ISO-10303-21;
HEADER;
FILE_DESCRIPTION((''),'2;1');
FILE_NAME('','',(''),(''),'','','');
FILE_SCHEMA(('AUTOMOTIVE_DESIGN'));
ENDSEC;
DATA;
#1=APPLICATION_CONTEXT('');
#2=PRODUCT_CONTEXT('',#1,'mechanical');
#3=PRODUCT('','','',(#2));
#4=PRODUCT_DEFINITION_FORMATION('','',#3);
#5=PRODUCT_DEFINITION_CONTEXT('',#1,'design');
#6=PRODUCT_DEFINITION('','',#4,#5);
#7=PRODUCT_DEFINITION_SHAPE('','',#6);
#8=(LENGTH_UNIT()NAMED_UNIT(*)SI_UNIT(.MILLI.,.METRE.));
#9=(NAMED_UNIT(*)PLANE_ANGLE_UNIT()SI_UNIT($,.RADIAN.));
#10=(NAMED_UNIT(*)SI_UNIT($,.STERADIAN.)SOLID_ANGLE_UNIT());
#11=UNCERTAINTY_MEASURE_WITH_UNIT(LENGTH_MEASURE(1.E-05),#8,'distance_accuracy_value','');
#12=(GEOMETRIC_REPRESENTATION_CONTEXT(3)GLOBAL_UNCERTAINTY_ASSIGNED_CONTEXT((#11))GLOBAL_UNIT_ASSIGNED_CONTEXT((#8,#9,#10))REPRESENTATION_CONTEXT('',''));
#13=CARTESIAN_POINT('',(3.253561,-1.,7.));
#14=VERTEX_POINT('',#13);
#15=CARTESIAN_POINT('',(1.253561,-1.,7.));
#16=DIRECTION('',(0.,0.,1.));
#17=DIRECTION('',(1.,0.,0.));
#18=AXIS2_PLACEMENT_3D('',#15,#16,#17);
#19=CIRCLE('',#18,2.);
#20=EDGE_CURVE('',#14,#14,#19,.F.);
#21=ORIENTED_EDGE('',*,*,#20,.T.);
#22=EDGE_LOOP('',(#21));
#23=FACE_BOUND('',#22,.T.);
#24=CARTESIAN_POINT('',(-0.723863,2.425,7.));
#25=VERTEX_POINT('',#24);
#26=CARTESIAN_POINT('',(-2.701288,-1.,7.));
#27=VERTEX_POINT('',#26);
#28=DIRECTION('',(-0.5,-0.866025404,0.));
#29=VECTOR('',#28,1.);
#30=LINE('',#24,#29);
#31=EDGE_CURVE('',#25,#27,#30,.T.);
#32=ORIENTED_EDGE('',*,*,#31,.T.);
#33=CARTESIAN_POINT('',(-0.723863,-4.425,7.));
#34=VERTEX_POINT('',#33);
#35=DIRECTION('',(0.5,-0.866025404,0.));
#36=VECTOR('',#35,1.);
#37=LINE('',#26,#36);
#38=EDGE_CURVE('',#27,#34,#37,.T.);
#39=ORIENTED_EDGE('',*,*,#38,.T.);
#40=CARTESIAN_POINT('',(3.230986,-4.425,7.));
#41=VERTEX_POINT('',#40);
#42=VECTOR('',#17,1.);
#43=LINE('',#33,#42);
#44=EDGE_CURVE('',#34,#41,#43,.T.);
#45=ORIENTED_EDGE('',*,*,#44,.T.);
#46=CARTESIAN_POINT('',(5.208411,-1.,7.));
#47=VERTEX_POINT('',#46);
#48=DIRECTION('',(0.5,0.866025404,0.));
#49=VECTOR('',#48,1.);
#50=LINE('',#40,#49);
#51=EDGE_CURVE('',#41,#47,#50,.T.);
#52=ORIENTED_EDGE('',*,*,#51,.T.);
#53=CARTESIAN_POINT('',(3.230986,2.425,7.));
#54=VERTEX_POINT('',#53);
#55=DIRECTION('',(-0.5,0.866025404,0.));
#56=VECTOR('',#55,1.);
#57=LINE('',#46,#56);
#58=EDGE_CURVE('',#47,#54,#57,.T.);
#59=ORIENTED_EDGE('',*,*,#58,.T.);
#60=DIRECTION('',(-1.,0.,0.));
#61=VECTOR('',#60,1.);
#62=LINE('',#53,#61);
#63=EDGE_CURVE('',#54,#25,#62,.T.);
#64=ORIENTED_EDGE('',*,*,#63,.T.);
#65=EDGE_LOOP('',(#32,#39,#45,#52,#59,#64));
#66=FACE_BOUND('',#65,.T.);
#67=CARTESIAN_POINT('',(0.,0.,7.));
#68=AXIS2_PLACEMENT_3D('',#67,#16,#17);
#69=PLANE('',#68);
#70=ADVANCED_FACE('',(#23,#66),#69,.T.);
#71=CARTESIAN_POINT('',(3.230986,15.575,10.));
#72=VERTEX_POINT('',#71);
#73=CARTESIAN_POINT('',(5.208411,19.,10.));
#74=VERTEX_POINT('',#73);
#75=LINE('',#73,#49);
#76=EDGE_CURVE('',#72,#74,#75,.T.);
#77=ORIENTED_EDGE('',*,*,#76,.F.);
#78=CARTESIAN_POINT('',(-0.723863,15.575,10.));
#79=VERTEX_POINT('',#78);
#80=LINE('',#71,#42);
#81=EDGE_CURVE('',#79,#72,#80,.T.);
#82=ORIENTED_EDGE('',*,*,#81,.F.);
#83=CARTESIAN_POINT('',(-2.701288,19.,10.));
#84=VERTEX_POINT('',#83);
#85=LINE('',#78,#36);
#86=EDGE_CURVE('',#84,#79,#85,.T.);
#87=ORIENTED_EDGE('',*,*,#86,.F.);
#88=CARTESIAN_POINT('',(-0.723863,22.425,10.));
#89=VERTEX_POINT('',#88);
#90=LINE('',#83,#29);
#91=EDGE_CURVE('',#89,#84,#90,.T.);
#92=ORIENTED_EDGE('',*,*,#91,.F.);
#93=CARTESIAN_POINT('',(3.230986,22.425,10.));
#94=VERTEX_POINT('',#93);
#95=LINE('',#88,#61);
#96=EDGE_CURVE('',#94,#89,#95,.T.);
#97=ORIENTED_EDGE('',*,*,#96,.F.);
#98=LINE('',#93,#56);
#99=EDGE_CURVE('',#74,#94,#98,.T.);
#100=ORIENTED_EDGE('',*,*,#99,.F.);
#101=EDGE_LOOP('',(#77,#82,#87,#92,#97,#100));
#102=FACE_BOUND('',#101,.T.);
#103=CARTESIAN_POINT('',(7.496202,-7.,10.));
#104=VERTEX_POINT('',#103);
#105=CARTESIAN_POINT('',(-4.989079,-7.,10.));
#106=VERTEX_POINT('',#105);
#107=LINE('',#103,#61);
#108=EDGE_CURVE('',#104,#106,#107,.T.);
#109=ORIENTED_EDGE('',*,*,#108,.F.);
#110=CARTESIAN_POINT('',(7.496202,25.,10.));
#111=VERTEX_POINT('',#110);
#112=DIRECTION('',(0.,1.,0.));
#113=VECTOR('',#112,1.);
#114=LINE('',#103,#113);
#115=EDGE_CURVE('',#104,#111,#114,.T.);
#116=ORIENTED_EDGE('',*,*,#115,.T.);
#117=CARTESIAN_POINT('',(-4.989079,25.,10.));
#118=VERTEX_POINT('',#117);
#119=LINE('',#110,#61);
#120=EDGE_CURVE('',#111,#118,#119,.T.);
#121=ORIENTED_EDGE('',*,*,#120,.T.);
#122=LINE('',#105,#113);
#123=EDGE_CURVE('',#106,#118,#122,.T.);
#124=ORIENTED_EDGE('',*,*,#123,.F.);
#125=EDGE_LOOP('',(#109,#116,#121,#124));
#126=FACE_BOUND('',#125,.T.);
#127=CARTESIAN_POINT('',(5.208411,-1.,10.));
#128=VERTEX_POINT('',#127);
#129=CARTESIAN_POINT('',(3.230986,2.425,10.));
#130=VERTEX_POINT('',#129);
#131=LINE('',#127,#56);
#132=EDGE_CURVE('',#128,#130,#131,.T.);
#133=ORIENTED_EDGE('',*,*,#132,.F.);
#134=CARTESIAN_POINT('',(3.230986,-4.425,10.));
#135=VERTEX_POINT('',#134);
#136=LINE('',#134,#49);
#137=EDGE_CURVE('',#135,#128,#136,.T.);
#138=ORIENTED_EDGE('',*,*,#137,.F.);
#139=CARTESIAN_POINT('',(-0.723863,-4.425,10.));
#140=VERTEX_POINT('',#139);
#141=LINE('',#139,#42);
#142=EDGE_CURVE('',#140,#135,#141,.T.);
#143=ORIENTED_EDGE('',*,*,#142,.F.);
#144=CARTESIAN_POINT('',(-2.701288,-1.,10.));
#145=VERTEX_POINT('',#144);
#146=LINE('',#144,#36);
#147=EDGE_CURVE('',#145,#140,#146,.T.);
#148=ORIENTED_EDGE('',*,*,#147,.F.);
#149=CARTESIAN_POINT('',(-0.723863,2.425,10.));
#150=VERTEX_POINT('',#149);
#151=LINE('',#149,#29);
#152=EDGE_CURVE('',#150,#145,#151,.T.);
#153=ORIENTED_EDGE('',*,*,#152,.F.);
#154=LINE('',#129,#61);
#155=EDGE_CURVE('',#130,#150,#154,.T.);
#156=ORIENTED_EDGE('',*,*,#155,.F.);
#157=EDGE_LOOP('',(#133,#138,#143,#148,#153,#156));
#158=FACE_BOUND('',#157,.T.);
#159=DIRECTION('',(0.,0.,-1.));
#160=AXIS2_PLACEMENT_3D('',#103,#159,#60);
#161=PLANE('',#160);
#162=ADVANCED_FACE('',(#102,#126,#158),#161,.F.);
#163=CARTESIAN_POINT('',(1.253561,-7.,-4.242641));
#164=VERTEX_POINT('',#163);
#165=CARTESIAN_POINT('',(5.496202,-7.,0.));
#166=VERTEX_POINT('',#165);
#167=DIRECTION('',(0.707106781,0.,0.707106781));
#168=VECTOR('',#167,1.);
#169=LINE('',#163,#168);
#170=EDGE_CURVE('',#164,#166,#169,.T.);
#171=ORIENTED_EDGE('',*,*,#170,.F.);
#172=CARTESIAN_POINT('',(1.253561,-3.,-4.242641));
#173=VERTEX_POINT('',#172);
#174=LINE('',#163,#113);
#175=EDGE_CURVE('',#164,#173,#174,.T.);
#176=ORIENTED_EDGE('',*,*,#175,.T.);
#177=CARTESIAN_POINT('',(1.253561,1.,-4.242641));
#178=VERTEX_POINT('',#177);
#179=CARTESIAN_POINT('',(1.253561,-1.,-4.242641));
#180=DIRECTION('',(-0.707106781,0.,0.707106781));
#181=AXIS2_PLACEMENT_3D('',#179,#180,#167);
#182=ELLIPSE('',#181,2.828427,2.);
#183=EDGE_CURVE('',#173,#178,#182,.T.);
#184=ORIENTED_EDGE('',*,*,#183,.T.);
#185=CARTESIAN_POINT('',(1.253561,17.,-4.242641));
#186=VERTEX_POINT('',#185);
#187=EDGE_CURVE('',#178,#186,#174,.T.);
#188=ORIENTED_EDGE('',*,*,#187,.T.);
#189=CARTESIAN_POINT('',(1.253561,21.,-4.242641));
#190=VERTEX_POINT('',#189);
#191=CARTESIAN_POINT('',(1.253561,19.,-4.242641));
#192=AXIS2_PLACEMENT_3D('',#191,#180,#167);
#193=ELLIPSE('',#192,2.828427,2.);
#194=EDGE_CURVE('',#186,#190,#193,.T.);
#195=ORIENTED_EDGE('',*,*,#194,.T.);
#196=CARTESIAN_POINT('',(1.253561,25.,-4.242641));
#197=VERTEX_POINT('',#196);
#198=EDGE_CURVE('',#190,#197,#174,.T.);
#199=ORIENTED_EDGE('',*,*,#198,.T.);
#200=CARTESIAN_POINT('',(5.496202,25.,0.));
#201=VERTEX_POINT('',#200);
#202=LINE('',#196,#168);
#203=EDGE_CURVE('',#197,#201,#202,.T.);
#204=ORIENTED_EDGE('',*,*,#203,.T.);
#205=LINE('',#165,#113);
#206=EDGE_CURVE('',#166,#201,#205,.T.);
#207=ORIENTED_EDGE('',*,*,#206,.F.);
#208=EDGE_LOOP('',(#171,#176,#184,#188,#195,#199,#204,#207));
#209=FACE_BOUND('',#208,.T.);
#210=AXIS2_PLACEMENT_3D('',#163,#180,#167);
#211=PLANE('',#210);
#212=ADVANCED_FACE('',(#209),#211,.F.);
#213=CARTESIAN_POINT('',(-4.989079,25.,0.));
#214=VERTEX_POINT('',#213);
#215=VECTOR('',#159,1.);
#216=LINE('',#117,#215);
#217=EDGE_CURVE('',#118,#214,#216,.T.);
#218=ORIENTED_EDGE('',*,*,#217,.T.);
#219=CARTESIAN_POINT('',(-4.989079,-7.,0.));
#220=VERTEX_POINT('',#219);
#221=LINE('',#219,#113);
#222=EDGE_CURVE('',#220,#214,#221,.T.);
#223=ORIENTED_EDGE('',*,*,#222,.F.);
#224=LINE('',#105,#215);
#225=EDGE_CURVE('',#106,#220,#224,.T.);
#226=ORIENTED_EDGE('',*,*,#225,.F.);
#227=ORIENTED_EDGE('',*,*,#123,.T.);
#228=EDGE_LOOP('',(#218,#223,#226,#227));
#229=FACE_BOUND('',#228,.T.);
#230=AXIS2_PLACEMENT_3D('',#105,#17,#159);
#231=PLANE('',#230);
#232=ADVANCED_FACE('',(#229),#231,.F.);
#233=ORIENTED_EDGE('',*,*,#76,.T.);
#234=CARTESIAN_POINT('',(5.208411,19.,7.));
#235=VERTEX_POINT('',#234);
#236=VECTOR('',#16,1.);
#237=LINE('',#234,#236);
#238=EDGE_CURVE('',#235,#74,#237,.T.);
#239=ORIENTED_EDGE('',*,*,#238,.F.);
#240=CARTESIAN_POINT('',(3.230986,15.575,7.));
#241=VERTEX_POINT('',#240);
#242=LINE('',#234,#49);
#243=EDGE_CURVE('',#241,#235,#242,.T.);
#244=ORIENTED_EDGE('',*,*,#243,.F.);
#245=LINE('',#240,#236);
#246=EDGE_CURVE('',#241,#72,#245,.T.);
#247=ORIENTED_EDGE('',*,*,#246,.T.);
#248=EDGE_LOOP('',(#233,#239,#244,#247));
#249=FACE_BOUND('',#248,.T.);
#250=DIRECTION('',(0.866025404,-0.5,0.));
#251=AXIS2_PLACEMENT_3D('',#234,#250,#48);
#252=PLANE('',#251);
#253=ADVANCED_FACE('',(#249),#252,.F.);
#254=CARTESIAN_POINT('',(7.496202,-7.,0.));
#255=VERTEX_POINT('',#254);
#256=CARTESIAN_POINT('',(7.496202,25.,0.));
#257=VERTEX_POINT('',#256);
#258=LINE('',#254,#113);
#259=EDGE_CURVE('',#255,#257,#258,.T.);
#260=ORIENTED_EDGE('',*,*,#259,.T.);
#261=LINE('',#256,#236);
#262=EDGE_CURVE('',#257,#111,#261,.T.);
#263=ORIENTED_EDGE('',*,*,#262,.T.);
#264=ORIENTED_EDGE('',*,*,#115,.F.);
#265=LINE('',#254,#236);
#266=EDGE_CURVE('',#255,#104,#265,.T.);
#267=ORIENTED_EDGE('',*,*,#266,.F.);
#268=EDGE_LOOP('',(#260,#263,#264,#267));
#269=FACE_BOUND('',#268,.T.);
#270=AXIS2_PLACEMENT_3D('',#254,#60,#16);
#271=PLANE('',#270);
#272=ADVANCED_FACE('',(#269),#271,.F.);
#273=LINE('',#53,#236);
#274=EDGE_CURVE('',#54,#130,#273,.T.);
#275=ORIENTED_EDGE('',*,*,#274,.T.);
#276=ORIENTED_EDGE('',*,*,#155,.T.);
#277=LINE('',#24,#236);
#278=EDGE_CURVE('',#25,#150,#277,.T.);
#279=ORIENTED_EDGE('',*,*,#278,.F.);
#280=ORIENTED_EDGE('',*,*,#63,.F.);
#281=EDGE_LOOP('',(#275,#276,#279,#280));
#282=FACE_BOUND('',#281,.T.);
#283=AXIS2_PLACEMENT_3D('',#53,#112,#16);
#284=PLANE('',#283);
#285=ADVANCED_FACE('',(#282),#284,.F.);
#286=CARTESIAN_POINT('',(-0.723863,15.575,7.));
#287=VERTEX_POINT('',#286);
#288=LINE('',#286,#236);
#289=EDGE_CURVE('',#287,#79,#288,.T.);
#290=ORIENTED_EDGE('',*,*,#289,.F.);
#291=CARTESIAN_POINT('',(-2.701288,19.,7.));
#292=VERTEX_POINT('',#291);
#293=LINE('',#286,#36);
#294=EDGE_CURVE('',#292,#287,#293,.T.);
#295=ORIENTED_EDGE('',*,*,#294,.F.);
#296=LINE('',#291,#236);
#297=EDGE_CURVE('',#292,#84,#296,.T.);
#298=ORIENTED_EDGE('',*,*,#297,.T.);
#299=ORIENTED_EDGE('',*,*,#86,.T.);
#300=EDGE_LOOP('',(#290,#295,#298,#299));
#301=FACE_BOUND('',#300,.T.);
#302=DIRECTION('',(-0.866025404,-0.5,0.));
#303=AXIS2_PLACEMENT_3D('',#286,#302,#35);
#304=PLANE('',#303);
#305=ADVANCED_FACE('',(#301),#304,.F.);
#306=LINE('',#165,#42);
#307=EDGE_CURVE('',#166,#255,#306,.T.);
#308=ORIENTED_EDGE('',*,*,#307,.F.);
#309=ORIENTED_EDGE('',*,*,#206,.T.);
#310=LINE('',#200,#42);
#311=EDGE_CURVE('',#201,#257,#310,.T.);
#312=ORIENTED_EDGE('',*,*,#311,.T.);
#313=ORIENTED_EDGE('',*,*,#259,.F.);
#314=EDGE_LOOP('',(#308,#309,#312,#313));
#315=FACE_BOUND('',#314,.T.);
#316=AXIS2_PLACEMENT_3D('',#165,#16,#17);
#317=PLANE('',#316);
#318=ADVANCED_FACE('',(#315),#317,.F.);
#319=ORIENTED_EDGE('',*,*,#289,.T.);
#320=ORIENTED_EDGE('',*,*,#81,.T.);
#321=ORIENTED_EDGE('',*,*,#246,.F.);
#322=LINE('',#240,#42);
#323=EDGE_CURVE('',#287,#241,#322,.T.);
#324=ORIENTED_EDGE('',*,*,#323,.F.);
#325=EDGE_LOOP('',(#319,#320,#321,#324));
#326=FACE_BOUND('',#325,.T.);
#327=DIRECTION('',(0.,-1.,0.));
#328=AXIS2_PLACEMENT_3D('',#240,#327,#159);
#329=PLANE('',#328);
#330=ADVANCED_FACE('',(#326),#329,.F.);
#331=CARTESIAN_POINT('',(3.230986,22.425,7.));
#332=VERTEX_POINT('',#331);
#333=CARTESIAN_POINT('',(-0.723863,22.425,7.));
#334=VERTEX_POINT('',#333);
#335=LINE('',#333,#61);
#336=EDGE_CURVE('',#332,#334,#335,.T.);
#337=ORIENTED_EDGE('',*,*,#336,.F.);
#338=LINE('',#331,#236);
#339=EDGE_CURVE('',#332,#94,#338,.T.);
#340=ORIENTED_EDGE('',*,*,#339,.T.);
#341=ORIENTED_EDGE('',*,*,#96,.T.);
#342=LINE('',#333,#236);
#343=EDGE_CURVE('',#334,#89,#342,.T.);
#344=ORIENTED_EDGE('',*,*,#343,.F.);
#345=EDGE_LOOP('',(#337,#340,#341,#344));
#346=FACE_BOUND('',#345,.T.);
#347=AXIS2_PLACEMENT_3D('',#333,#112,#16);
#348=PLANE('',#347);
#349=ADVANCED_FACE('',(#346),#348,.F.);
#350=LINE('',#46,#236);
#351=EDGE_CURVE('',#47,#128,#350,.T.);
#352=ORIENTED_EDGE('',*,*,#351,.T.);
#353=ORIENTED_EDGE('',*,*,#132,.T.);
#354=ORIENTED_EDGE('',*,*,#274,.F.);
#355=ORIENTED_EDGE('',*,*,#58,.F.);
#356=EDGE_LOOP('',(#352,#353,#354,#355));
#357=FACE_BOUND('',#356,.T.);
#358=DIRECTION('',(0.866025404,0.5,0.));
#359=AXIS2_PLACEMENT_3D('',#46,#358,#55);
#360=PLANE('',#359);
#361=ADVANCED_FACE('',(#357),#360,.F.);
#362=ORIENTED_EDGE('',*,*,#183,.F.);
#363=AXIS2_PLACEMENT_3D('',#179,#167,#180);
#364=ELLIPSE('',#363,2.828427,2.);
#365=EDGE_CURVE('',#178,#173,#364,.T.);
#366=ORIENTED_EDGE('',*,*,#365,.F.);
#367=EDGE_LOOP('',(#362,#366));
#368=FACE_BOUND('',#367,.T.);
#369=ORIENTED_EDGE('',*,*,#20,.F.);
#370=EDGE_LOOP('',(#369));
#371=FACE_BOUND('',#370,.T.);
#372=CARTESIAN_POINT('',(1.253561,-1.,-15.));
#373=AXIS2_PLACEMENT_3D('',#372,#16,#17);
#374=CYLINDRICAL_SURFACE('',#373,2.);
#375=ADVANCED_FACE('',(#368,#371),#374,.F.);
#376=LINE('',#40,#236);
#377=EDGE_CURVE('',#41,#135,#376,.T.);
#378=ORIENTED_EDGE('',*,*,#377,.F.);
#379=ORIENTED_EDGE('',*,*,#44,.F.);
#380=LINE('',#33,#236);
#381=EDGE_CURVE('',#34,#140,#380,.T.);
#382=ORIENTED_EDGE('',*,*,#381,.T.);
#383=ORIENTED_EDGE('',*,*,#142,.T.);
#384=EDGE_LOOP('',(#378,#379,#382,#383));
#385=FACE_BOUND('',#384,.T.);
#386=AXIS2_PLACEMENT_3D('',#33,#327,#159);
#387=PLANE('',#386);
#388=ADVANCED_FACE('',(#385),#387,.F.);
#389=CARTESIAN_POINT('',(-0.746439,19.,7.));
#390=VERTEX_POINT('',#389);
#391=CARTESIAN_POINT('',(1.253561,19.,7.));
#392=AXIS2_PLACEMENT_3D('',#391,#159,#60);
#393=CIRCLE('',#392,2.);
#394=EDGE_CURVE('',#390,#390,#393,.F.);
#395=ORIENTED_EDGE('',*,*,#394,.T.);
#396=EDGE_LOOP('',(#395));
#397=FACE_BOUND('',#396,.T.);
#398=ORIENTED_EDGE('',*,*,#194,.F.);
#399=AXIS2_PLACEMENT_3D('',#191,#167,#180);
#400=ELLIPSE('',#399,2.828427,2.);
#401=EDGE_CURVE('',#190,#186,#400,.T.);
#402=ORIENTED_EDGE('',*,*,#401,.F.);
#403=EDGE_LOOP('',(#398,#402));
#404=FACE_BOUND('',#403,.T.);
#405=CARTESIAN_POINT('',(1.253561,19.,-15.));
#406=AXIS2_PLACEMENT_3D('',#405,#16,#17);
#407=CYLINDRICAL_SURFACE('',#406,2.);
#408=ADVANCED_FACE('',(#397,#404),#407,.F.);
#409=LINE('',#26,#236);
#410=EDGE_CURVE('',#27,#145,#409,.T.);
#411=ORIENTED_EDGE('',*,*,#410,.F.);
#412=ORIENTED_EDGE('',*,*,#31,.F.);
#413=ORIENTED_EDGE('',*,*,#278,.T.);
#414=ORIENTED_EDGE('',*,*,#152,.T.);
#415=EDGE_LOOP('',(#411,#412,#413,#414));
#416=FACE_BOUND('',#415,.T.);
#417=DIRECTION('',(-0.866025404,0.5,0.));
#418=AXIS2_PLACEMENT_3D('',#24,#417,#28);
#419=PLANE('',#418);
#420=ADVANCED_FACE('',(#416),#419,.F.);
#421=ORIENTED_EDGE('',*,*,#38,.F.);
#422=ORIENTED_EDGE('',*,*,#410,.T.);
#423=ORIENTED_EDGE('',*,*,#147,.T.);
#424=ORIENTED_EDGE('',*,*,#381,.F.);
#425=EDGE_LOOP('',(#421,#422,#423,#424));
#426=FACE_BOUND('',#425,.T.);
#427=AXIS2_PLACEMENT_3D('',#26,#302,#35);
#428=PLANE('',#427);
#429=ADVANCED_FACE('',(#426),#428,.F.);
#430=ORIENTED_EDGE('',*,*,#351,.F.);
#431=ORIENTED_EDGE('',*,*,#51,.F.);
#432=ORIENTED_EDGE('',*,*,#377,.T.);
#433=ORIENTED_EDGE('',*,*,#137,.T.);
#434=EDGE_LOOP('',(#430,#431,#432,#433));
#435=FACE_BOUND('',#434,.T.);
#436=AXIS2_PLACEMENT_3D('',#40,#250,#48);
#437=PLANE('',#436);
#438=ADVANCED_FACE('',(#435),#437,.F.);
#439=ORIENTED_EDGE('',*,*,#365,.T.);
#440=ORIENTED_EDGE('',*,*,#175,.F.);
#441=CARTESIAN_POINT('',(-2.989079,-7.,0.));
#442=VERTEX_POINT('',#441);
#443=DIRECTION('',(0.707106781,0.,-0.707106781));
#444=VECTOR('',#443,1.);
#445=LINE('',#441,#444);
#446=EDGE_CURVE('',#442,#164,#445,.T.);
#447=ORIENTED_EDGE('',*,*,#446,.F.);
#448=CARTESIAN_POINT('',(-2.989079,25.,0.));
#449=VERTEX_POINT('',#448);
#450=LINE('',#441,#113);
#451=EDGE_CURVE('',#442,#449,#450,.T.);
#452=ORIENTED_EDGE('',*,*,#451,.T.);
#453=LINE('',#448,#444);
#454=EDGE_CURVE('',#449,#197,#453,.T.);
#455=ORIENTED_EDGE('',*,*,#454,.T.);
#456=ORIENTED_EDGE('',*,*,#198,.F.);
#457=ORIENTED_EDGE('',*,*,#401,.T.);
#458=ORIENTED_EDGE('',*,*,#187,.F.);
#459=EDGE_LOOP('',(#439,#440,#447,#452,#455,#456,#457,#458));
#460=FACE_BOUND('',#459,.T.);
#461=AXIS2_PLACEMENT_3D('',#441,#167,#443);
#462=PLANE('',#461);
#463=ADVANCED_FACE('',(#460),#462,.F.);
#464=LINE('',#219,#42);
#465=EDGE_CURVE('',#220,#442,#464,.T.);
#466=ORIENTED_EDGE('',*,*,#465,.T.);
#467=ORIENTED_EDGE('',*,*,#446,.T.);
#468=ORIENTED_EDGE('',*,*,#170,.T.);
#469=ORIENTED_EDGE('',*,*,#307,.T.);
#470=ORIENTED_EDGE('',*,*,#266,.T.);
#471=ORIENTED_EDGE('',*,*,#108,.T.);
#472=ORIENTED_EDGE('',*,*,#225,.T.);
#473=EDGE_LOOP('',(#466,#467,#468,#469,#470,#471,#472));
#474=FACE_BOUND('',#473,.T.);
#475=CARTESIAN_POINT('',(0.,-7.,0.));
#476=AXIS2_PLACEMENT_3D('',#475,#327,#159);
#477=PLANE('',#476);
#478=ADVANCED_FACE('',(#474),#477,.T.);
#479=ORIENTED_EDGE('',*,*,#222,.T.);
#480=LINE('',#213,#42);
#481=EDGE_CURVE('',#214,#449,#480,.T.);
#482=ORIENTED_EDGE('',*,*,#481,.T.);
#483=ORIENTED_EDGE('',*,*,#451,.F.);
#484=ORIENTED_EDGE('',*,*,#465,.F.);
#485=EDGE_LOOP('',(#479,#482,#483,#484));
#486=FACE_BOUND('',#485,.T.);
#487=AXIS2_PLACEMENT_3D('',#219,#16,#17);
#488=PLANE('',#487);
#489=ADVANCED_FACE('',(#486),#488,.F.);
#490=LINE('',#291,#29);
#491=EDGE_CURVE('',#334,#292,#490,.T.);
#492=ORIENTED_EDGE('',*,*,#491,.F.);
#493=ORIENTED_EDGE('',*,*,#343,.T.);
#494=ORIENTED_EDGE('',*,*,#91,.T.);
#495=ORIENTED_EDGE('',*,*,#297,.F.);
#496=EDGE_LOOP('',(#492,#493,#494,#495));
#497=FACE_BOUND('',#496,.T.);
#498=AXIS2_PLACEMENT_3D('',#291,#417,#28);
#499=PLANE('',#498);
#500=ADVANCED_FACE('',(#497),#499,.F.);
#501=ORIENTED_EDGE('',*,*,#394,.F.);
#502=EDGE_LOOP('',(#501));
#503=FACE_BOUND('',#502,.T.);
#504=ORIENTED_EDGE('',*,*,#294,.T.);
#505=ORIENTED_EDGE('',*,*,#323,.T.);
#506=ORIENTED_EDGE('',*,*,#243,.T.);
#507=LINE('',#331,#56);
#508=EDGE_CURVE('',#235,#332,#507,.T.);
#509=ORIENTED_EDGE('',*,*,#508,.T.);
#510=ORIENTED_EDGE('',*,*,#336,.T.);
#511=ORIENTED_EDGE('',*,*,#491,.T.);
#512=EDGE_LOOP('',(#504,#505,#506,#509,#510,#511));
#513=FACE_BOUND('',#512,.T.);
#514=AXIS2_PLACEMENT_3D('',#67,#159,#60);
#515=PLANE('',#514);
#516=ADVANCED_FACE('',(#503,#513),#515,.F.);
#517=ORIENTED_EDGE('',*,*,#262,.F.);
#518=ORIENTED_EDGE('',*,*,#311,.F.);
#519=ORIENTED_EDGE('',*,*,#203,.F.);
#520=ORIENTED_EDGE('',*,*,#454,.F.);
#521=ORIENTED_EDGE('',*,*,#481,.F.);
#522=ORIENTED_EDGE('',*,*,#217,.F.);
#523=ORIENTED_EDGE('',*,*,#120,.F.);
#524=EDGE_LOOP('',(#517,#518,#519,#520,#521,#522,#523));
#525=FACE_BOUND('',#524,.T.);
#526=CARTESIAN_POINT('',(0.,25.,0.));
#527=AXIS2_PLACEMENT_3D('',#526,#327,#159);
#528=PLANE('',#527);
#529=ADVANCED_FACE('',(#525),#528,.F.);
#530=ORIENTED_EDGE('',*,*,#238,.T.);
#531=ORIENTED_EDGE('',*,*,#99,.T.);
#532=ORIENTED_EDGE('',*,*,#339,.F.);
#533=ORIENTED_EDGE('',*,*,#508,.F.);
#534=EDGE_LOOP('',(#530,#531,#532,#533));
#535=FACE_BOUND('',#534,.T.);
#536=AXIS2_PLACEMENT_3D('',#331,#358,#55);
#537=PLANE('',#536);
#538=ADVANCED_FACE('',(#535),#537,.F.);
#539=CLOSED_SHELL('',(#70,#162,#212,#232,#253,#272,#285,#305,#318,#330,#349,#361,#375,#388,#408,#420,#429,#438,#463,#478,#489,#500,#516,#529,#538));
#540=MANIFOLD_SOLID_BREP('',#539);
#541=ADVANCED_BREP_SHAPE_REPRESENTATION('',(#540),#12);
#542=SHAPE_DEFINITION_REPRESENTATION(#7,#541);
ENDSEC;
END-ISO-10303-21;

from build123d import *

# Parameters (mm, degrees)
BOSS_EXTRUDE1_DEPTH      = 25
BOSS_EXTRUDE1_DEPTH_BACK = 7
SKETCH3_R                = 2
CUT_EXTRUDE1_DEPTH       = 25
CUT_EXTRUDE2_DEPTH       = 3


with BuildPart() as part:
    # Sketch2 → Boss-Extrude1 (new body, two sides)
    with BuildSketch(Plane(origin=(0, 0, 0), x_dir=(1, 0, 0), z_dir=(0, 1, 0))) as boss_extrude1_sk:
        Polygon((-4.989079304, 0), (-2.989079304, 0), (1.253561383, 4.242640687), (5.49620207, 0), (7.49620207, 0), (7.49620207, -10), (-4.989079304, -10), align=None)
    extrude(amount=BOSS_EXTRUDE1_DEPTH)
    extrude(boss_extrude1_sk.sketch, amount=-BOSS_EXTRUDE1_DEPTH_BACK)

    # Sketch3 → Cut-Extrude1 (cut)
    with BuildSketch(Plane.XY.offset(10)):
        with Locations((1.253561383, 19)):
            Circle(SKETCH3_R)
        with Locations((1.253561383, -1)):
            Circle(SKETCH3_R)
    extrude(amount=-CUT_EXTRUDE1_DEPTH, mode=Mode.SUBTRACT)

    # Sketch4 → Cut-Extrude2 (cut)
    with BuildSketch(Plane.XY.offset(10)):
        Polygon((5.208410727, -1), (3.230986055, 2.425), (-0.723863289, 2.425), (-2.701287961, -1), (-0.723863289, -4.425), (3.230986055, -4.425), align=None)
        Polygon((3.230986055, 22.425), (5.208410727, 19), (3.230986055, 15.575), (-0.723863289, 15.575), (-2.701287961, 19), (-0.723863289, 22.425), align=None)
    extrude(amount=-CUT_EXTRUDE2_DEPTH, mode=Mode.SUBTRACT)


solid = part.part
